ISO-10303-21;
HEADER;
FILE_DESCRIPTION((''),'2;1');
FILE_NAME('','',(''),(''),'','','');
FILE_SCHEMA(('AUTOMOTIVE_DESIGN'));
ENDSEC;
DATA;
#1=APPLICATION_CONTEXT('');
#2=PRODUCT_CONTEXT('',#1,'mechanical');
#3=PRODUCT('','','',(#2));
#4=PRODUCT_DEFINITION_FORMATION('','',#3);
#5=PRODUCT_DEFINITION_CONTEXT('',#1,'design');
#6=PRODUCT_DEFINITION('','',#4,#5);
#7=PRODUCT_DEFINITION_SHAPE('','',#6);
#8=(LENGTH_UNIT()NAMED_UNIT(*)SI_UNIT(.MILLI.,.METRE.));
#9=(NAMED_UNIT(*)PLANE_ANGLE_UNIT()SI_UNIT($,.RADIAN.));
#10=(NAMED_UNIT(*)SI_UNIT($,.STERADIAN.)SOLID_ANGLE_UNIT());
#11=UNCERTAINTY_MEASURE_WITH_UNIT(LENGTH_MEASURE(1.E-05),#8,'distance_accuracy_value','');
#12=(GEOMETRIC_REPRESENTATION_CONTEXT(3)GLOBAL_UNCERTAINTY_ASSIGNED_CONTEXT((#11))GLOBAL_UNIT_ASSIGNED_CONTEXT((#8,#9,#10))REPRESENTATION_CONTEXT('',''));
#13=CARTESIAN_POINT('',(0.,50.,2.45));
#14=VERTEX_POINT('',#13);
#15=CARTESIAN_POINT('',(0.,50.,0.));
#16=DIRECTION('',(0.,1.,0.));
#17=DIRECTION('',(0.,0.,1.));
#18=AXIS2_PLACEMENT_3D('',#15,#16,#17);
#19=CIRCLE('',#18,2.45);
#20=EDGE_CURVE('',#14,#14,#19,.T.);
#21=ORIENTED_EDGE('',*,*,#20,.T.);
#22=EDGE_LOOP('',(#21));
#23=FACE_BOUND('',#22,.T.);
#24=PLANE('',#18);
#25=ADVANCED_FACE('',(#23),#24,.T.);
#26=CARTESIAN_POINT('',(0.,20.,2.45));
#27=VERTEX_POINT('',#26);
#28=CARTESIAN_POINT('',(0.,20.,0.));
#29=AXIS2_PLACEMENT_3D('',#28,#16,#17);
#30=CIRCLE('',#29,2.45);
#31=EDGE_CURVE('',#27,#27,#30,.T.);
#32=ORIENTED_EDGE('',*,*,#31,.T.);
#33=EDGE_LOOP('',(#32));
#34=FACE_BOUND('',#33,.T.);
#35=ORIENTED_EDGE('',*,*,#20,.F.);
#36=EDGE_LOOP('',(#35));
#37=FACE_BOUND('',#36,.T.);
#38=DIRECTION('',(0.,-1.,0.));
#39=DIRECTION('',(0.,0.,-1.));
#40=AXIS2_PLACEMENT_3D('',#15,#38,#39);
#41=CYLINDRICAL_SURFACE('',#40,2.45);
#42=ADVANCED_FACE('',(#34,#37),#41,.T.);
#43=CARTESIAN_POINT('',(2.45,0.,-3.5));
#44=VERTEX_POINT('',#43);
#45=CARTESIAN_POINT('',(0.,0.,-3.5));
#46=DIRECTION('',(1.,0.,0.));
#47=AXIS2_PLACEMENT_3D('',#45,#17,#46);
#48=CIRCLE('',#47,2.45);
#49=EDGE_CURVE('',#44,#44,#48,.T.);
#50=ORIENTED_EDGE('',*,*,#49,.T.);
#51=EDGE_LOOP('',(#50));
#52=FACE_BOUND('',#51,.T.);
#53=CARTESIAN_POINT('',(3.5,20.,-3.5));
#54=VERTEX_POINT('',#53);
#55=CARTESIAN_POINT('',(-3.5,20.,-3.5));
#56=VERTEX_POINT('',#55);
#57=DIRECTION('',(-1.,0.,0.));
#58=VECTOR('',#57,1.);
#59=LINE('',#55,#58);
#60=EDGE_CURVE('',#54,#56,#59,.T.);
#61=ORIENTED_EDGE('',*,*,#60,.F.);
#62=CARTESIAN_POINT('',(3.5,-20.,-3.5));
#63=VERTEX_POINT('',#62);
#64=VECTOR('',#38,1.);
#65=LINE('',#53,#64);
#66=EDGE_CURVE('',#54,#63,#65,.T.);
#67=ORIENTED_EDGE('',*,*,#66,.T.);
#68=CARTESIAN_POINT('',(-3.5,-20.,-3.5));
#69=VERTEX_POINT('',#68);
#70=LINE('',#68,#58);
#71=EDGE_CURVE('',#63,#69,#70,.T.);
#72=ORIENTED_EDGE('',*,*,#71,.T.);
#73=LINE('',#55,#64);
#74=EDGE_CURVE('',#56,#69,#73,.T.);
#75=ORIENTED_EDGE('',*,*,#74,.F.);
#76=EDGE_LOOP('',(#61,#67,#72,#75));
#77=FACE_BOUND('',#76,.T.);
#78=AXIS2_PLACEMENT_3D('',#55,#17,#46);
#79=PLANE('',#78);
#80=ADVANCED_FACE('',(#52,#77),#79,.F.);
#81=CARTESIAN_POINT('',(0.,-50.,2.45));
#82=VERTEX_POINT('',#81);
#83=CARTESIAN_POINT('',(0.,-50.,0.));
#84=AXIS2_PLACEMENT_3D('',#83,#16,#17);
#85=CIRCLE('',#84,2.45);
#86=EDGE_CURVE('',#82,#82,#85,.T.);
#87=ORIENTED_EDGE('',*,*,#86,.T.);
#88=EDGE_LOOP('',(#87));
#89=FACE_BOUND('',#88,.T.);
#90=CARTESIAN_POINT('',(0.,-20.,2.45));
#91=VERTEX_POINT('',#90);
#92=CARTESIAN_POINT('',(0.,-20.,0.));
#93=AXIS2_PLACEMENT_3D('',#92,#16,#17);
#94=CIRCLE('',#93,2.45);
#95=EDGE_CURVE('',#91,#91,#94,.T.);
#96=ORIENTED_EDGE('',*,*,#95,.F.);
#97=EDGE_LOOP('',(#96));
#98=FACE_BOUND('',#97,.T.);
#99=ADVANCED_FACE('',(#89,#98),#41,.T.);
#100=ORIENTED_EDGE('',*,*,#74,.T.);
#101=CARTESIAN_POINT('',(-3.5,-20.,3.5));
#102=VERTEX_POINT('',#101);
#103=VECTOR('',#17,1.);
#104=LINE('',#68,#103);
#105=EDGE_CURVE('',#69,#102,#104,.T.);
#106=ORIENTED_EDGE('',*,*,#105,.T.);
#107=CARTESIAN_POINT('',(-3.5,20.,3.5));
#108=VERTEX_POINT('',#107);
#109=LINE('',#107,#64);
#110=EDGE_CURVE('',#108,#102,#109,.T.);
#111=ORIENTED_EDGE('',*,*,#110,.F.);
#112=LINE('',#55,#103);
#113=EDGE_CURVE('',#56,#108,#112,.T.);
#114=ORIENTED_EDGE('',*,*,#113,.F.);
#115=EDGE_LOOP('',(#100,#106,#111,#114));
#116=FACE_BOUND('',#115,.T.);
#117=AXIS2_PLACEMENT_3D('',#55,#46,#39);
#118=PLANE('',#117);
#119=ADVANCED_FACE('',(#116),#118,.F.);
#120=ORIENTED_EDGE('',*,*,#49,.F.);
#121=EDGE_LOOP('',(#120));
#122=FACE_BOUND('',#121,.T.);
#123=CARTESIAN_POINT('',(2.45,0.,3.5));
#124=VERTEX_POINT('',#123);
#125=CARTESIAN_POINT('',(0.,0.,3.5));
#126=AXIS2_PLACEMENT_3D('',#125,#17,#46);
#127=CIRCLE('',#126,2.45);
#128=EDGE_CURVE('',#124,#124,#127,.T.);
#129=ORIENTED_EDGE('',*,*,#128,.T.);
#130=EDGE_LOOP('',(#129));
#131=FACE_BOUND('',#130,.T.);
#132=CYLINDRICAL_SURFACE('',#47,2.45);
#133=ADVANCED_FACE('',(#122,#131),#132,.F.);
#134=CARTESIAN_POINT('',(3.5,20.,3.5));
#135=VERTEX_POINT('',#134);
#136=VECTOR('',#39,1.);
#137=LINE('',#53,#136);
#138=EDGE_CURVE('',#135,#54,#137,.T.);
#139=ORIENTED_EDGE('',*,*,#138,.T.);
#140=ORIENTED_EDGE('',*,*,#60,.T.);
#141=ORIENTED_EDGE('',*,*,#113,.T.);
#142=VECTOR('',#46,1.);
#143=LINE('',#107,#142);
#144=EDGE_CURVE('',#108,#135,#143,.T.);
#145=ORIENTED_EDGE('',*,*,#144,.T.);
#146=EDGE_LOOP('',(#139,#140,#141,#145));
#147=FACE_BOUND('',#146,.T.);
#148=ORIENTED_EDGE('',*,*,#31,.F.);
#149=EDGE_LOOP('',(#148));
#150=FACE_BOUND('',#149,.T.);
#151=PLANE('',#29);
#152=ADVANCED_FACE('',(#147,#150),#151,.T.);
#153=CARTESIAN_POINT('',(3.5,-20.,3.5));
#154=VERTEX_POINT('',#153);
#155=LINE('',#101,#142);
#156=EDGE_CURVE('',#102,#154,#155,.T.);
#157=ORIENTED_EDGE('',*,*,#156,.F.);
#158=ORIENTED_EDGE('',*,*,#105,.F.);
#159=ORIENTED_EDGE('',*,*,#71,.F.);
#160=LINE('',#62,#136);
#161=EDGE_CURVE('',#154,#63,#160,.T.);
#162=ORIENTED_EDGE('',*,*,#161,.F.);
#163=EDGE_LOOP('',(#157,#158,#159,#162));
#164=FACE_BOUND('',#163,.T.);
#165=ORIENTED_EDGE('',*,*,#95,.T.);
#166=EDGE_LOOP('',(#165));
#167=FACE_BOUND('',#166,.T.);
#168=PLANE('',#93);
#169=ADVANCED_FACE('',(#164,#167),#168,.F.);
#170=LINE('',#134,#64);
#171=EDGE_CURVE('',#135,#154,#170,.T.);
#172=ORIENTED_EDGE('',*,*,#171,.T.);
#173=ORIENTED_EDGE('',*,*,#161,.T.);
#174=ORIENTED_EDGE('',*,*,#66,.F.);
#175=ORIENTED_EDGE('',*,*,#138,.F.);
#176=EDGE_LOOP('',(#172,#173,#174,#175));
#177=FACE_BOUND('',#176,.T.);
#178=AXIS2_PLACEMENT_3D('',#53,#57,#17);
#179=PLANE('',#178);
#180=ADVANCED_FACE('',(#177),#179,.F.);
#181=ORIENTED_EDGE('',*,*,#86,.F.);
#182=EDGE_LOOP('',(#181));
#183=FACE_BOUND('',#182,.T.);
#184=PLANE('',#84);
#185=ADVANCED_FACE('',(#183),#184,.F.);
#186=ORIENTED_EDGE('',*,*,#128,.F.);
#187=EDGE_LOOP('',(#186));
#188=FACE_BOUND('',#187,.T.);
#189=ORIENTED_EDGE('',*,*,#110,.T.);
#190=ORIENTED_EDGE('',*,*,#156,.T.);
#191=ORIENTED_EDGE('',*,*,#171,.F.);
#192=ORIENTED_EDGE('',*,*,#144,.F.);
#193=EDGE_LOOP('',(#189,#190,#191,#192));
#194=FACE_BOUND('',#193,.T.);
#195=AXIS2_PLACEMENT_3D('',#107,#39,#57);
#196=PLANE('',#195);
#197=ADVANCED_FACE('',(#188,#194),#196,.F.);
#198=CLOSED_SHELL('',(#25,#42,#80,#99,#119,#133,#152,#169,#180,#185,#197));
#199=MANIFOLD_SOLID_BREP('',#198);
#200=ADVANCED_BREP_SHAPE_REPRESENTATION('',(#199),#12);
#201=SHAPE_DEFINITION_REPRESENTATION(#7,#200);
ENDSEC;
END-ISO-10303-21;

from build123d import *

# Parameters (mm, degrees)
SKETCH1_R           = 2.45
BOSS_EXTRUDE1_DEPTH = 50
BOSS_EXTRUDE2_START = -50
SKETCH1_2_R         = 2.45
BOSS_EXTRUDE2_DEPTH = 50
SKETCH2_W           = 7
SKETCH2_H           = 7
BOSS_EXTRUDE3_DEPTH = 20
SKETCH2_2_W         = 7
SKETCH2_2_H         = 7
BOSS_EXTRUDE4_DEPTH = 20
SKETCH3_R           = 2.45
CUT_EXTRUDE1_DEPTH  = 51.608793702


with BuildPart() as part:
    # Sketch1 → Boss-Extrude1 (new body)
    with BuildSketch(Plane(origin=(0, 0, 0), x_dir=(1, 0, 0), z_dir=(0, 1, 0))):
        Circle(SKETCH1_R)
    extrude(amount=BOSS_EXTRUDE1_DEPTH)

    # Sketch1<2> → Boss-Extrude2 (add)
    with BuildSketch(Plane(origin=(0, 0, 0), x_dir=(1, 0, 0), z_dir=(0, 1, 0)).offset(BOSS_EXTRUDE2_START)):
        Circle(SKETCH1_2_R)
    extrude(amount=BOSS_EXTRUDE2_DEPTH)

    # Sketch2 → Boss-Extrude3 (add)
    with BuildSketch(Plane(origin=(0, 0, 0), x_dir=(1, 0, 0), z_dir=(0, 1, 0))):
        Rectangle(SKETCH2_W, SKETCH2_H)
    extrude(amount=BOSS_EXTRUDE3_DEPTH)

    # Sketch2<2> → Boss-Extrude4 (add)
    with BuildSketch(Plane(origin=(0, 0, 0), x_dir=(1, 0, 0), z_dir=(0, 1, 0))):
        Rectangle(SKETCH2_2_W, SKETCH2_2_H)
    extrude(amount=-BOSS_EXTRUDE4_DEPTH)

    # Sketch3 → Cut-Extrude1 (cut, through all)
    with BuildSketch(Plane.XY.offset(3.5)):
        Circle(SKETCH3_R)
    extrude(amount=-CUT_EXTRUDE1_DEPTH, mode=Mode.SUBTRACT)


solid = part.part
